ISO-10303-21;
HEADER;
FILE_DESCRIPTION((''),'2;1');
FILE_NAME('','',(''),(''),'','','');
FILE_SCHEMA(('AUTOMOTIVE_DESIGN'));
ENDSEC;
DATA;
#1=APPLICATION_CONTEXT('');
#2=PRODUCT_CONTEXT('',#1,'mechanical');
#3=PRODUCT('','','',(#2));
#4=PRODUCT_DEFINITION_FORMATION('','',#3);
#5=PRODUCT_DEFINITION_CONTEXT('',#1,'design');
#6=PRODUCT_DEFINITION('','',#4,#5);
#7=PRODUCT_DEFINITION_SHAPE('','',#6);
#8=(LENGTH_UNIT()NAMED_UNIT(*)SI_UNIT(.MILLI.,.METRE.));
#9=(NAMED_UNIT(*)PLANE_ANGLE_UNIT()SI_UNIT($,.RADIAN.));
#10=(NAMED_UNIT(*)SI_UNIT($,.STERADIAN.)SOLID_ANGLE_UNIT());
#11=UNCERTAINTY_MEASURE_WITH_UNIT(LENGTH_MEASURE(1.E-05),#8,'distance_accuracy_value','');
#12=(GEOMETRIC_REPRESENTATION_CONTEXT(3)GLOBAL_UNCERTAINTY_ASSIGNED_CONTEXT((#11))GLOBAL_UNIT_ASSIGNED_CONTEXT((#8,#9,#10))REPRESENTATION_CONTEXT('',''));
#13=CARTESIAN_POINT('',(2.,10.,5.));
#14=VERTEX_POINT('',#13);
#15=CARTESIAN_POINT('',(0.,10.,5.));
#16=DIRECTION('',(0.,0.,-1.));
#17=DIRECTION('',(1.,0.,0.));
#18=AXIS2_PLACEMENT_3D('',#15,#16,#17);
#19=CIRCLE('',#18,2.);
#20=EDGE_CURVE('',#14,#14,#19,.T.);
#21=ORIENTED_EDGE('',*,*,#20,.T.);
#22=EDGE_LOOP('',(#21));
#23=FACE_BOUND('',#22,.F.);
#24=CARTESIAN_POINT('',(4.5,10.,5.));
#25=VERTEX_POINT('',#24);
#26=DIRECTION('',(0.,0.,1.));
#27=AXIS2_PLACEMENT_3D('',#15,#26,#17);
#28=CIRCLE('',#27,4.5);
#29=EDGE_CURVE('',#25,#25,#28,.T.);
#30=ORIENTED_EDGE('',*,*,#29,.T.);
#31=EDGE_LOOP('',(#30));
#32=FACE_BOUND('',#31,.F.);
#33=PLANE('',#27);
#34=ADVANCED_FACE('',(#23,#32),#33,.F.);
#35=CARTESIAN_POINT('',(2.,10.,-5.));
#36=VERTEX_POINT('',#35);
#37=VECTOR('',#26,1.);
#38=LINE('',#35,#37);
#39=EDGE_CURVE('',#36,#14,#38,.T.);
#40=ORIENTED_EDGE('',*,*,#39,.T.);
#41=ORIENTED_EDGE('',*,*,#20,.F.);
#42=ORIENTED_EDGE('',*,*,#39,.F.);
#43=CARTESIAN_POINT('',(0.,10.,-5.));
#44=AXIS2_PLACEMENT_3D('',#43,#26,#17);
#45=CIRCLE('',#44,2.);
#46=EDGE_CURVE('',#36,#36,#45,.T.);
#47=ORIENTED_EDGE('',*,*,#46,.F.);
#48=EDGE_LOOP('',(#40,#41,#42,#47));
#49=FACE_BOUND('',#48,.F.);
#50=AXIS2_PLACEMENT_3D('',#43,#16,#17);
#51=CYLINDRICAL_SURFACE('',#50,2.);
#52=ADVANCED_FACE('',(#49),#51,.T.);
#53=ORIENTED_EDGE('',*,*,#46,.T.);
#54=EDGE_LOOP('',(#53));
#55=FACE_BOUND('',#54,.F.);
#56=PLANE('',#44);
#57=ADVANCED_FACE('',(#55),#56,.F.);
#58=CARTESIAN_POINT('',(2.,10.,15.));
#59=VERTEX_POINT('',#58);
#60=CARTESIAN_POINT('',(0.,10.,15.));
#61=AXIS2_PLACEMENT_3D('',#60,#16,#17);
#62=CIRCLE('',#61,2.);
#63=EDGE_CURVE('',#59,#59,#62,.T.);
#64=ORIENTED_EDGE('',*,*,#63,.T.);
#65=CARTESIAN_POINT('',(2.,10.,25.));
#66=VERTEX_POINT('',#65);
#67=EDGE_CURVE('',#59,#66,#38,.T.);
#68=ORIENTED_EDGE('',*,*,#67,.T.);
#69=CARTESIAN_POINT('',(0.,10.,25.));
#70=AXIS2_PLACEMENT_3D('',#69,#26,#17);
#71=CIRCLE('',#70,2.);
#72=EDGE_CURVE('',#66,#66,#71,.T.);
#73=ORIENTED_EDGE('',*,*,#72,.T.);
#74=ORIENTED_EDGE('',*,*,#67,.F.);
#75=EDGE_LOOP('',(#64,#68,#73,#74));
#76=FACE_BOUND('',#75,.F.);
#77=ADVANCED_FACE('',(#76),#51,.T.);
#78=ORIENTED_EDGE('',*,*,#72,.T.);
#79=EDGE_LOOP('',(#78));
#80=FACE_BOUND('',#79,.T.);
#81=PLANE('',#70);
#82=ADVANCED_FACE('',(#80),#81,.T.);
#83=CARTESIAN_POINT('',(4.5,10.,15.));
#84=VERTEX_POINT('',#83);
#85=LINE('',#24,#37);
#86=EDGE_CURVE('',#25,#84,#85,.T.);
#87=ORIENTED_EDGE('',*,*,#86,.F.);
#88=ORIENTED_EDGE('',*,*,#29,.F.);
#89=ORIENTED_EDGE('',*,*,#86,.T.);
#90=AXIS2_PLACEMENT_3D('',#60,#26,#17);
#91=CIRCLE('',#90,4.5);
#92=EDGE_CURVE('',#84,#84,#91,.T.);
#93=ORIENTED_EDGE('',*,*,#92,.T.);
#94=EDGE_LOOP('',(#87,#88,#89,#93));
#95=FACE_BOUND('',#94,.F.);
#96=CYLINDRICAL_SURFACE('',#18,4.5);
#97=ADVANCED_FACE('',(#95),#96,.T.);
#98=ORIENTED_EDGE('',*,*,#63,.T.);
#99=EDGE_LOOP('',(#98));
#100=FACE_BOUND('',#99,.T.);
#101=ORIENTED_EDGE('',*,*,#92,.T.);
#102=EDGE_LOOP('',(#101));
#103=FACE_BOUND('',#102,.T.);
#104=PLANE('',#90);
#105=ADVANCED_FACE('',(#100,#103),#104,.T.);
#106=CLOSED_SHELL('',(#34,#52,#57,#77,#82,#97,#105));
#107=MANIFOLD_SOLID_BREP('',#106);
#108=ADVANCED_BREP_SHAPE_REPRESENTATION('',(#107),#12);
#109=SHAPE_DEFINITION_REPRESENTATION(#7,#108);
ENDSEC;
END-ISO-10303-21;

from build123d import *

# Parameters (mm, degrees)
CYLINDER001_R     = 4.5
CYLINDER001_DEPTH = 10
CYLINDER_R        = 2
CYLINDER_DEPTH    = 30


with BuildPart() as cylinder001:
    # Cylinder001 → Cylinder001 (new body)
    with BuildSketch(Plane(origin=(0, 10, 5), x_dir=(1, 0, 0), z_dir=(0, 0, 1))):
        Circle(CYLINDER001_R)
    extrude(amount=CYLINDER001_DEPTH)


with BuildPart() as fusion:
    # Cylinder → Cylinder (new body)
    with BuildSketch(Plane(origin=(0, 10, -5), x_dir=(1, 0, 0), z_dir=(0, 0, 1))):
        Circle(CYLINDER_R)
    extrude(amount=CYLINDER_DEPTH)

    # Fusion: union Cylinder001
    add(cylinder001.part)


solid = fusion.part
